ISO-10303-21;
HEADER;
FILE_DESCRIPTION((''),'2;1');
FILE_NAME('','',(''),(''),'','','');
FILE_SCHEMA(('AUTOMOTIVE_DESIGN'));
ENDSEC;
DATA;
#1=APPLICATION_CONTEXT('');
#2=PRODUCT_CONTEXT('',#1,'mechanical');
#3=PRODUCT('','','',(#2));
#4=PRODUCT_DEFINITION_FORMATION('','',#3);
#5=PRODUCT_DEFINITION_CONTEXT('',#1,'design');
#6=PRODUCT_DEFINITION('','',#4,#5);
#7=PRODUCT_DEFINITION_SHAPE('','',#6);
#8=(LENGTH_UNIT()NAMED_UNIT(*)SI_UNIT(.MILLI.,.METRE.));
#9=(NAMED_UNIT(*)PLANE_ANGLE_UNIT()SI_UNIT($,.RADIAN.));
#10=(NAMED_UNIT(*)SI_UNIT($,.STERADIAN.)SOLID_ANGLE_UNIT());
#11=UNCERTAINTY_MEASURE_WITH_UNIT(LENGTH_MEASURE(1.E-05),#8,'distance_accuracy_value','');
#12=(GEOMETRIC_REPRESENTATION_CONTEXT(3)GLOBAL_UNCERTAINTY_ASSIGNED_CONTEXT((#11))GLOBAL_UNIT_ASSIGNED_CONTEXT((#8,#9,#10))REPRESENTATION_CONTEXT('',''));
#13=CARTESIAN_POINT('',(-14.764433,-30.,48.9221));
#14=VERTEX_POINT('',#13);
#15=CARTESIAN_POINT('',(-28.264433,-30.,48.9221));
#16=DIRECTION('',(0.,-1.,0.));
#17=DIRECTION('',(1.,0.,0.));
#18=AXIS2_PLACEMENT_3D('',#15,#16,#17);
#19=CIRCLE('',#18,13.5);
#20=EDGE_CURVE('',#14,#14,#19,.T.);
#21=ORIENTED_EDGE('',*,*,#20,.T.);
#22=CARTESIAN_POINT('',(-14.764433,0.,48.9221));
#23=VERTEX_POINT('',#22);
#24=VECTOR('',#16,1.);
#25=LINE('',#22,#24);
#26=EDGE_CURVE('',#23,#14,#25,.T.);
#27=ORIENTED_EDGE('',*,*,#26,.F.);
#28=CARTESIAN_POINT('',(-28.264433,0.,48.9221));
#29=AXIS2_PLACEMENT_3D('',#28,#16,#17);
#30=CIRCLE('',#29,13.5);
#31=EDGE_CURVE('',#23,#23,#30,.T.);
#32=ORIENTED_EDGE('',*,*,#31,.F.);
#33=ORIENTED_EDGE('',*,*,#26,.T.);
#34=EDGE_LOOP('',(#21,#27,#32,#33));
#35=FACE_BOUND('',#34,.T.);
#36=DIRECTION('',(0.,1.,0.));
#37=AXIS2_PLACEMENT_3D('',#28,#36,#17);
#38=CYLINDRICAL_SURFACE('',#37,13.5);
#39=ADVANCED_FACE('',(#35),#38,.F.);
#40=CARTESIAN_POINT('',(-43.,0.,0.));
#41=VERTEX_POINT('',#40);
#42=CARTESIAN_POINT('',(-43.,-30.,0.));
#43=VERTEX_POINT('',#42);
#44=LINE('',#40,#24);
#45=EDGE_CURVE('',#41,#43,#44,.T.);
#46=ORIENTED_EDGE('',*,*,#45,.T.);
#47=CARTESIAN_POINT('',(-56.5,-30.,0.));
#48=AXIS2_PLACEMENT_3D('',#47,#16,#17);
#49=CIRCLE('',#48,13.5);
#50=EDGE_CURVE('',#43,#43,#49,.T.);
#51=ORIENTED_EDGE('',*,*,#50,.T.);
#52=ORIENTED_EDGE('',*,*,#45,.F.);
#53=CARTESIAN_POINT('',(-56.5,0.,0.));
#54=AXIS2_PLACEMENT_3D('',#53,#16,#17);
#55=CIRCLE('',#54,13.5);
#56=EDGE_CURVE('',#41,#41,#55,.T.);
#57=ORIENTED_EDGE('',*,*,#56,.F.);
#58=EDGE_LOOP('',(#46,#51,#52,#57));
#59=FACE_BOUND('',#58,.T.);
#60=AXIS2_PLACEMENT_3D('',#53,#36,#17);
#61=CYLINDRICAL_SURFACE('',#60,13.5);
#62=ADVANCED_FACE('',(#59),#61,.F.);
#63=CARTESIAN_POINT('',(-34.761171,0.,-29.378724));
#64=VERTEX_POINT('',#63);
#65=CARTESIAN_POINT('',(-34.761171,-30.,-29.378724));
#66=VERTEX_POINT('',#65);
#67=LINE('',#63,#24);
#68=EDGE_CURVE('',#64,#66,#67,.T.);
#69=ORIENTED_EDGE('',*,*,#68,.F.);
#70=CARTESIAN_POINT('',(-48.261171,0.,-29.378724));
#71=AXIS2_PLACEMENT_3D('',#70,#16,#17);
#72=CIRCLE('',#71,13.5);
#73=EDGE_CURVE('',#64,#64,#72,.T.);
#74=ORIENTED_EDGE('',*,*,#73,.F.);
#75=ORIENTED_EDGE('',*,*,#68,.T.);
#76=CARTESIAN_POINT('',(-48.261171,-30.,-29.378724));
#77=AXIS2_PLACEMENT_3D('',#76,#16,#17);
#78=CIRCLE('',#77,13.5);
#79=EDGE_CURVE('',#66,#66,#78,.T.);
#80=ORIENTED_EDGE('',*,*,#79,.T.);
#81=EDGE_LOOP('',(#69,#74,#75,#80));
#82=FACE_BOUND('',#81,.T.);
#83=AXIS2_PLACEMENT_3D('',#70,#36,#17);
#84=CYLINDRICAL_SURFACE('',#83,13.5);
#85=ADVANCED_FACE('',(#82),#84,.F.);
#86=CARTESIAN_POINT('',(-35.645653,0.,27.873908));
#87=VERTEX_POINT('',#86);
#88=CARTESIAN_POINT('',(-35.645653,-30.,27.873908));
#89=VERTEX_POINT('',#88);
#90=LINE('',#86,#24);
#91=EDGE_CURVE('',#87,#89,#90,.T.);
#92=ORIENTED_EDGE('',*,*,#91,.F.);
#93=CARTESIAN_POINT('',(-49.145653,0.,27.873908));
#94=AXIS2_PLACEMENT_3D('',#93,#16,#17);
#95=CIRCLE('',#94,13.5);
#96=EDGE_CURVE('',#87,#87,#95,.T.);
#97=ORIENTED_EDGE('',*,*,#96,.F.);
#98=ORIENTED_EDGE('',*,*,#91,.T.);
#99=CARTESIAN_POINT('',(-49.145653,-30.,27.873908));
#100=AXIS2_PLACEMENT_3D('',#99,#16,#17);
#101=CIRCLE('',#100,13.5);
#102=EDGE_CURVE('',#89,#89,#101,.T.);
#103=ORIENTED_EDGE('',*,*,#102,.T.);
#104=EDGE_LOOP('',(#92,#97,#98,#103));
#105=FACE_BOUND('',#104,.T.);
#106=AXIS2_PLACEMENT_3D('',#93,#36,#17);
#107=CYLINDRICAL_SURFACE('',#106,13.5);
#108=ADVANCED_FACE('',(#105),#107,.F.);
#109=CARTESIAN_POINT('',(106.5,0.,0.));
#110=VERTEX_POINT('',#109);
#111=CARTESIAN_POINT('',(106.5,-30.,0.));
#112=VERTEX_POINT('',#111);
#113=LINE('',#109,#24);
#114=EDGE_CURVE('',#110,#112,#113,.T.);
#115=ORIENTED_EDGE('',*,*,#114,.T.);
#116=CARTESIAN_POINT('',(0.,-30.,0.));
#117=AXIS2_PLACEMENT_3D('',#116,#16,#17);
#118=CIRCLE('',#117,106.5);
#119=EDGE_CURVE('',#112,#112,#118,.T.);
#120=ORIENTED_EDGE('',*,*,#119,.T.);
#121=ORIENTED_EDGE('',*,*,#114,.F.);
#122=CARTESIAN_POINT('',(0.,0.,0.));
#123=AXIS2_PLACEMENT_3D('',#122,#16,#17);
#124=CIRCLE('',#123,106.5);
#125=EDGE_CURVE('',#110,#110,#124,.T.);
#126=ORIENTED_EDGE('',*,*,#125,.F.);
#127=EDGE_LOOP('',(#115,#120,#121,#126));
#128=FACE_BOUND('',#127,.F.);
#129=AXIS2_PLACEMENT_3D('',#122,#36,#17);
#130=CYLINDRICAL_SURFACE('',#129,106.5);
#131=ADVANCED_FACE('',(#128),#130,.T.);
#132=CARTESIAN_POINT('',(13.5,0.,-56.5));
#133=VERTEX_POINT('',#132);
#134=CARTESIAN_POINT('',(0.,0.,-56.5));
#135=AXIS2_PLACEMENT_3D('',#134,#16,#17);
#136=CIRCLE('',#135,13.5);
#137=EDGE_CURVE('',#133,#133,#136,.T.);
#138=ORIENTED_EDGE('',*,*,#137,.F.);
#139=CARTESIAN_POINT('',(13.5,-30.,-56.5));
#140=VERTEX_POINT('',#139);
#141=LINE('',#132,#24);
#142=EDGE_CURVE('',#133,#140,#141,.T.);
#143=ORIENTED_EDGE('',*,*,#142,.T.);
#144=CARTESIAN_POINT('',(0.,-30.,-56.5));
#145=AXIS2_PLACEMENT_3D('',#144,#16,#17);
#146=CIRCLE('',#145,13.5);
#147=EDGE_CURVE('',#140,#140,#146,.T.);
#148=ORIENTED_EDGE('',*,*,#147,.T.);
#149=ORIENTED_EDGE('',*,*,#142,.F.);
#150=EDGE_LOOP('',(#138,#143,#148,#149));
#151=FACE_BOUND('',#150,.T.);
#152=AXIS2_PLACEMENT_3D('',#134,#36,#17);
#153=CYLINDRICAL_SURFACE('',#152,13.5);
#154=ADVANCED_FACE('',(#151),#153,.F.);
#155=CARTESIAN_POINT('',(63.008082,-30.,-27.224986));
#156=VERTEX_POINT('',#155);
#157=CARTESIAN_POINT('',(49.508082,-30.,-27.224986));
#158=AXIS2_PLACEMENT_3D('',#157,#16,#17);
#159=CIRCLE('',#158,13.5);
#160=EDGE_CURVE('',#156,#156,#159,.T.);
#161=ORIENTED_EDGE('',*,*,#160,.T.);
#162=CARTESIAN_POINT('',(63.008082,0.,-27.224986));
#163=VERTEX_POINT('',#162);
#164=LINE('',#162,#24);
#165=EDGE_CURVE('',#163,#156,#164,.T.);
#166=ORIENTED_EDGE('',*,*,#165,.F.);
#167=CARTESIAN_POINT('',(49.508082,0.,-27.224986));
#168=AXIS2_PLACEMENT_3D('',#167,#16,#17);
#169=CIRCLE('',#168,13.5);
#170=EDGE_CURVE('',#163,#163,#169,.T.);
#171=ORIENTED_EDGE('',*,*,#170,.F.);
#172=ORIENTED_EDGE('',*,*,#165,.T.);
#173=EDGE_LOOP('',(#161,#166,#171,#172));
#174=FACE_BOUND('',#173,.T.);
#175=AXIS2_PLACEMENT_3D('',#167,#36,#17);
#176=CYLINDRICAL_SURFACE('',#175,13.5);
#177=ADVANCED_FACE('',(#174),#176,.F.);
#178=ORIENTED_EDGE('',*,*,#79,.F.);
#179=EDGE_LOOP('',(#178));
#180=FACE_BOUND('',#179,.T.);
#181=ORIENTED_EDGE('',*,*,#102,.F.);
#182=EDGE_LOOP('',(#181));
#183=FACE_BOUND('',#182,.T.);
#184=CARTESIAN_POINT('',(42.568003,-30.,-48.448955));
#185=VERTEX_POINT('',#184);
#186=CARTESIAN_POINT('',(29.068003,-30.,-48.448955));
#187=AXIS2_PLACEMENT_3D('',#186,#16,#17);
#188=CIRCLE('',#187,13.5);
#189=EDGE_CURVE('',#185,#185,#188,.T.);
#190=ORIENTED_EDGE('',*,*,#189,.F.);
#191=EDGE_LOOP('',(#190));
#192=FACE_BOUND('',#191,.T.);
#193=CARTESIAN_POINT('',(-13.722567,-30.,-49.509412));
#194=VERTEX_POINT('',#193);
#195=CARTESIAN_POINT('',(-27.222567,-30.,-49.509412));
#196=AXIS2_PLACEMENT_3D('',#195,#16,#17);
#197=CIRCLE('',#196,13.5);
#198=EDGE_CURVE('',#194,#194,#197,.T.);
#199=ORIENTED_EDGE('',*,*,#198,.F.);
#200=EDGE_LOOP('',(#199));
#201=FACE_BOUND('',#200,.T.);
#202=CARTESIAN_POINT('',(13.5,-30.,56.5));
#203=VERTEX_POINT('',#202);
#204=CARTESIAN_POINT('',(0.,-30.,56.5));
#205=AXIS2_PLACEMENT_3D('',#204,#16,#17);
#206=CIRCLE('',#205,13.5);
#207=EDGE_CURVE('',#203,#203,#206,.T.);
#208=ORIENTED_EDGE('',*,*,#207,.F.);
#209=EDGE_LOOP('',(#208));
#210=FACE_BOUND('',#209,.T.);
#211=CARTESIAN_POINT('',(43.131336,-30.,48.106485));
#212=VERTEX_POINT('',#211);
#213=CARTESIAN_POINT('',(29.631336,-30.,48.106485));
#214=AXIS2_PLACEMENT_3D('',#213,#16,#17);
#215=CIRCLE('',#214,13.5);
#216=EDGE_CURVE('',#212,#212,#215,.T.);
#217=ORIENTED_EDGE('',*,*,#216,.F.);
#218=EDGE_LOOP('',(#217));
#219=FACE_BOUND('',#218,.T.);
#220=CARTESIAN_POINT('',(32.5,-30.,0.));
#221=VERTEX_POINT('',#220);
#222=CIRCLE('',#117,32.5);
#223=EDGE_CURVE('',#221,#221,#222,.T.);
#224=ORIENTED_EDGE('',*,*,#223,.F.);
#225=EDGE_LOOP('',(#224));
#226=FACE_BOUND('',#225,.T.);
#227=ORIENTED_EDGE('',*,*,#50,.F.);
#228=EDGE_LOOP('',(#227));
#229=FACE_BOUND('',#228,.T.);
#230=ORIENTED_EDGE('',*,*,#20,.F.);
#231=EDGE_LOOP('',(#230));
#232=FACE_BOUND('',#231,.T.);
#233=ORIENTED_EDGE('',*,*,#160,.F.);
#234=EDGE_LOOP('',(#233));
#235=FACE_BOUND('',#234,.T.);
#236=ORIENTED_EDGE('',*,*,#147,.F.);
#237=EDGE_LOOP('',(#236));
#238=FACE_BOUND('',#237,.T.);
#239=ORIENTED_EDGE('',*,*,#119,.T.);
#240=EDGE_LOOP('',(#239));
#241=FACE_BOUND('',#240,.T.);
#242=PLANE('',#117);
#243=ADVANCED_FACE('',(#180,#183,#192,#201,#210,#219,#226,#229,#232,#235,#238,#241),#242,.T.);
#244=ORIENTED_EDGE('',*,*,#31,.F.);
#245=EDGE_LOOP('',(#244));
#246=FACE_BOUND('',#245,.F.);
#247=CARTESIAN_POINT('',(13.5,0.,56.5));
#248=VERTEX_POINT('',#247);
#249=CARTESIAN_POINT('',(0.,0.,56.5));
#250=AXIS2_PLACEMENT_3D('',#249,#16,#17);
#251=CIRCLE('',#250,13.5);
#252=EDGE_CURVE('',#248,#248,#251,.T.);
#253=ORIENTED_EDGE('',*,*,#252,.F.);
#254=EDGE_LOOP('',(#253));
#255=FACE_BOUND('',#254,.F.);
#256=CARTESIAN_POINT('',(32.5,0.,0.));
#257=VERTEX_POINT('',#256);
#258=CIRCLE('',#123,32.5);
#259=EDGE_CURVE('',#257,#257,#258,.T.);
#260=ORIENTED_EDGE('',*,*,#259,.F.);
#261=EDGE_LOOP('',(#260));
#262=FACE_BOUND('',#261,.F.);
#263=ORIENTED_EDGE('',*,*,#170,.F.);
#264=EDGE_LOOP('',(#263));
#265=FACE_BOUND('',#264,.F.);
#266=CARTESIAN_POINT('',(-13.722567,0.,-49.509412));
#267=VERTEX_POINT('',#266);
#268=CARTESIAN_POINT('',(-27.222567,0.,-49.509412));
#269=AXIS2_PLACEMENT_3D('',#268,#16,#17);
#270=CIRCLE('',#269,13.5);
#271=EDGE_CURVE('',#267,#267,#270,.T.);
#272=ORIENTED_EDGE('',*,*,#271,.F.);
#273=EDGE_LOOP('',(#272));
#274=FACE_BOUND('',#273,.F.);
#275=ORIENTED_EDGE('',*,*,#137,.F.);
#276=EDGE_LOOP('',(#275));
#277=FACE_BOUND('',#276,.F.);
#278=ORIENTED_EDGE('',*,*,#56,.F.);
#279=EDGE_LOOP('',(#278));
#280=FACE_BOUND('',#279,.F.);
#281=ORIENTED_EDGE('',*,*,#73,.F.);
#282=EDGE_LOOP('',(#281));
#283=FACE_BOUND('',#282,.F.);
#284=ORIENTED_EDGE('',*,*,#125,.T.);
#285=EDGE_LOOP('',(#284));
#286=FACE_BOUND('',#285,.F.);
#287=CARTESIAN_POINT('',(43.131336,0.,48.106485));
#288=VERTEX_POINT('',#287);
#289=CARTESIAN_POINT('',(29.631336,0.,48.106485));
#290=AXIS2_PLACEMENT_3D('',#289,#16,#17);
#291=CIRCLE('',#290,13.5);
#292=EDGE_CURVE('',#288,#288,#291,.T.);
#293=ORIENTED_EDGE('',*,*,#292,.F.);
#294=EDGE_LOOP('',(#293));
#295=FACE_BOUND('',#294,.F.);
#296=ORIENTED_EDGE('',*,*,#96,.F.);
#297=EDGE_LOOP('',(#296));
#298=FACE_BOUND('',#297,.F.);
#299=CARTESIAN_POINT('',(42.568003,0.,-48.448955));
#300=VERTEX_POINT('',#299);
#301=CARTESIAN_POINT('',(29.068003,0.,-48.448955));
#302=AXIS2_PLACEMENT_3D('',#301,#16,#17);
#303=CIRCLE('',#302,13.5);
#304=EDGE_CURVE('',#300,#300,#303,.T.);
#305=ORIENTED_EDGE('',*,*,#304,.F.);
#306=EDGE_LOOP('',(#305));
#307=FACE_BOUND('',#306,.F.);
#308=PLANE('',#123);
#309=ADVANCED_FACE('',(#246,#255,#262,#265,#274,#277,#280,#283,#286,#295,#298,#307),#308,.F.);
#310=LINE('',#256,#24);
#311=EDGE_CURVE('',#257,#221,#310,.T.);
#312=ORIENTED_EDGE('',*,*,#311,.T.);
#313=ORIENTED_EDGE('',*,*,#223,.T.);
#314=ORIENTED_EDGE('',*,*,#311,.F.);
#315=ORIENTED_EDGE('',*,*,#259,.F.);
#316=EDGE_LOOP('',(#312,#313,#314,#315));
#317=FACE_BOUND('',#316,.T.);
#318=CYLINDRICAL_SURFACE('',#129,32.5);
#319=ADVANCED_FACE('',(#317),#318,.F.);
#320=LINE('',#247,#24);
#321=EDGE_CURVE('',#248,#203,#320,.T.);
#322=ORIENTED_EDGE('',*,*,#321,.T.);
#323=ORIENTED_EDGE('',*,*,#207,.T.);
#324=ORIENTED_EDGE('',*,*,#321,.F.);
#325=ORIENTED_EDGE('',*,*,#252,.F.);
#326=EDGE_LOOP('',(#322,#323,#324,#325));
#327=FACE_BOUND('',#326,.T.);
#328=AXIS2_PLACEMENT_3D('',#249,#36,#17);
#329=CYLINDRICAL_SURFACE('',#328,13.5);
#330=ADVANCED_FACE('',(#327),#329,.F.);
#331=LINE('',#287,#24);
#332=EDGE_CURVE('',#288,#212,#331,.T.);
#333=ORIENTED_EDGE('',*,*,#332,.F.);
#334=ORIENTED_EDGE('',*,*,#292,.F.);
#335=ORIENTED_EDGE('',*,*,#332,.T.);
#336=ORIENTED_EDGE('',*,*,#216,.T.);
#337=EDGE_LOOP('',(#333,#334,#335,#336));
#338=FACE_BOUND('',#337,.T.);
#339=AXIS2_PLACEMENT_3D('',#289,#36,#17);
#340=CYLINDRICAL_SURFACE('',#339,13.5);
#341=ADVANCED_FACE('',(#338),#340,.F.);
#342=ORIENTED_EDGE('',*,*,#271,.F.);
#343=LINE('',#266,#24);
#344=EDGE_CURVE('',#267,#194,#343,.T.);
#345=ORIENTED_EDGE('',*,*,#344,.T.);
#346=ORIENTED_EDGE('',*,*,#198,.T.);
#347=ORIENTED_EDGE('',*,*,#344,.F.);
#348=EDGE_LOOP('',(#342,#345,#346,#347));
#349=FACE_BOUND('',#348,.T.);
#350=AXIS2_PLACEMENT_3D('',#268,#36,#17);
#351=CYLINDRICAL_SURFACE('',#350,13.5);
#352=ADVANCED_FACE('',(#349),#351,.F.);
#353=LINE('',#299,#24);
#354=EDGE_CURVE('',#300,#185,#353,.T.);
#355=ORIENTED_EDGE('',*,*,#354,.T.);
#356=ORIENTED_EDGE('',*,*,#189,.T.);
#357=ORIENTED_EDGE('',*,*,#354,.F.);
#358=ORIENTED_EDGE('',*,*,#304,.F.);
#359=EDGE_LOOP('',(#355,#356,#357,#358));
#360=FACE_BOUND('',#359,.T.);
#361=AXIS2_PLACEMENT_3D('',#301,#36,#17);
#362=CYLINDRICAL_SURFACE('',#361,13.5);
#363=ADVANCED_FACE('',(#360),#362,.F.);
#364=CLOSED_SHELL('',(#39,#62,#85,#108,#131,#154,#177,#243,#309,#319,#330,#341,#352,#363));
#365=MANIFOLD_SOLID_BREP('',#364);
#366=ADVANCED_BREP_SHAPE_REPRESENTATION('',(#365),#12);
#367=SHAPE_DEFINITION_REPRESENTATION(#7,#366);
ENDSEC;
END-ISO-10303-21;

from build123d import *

# Parameters (mm, degrees)
F0_R     = 106.5
F0_R_2   = 75
F0_R_3   = 13.5
F0_R_4   = 37.5
F0_R_5   = 32.5
F1_DEPTH = 30


with BuildPart() as f1:
    # F0 (on Front) → F1 (new body)
    with BuildSketch(Plane.XZ):
        Circle(F0_R)
        Circle(F0_R_2, mode=Mode.SUBTRACT)
        Circle(F0_R_2)
        with Locations((-27.2225671893, -49.5094115863)):
            Circle(F0_R_3, mode=Mode.SUBTRACT)
        with Locations((-48.2611707722, -29.3787235205)):
            Circle(F0_R_3, mode=Mode.SUBTRACT)
        with Locations((0, -56.5)):
            Circle(F0_R_3, mode=Mode.SUBTRACT)
        with Locations((29.0680028111, -48.4489547108)):
            Circle(F0_R_3, mode=Mode.SUBTRACT)
        with Locations((49.5080817216, -27.2249856611)):
            Circle(F0_R_3, mode=Mode.SUBTRACT)
        with Locations((-56.5, 0)):
            Circle(F0_R_3, mode=Mode.SUBTRACT)
        with Locations((-49.1456532959, 27.8739082678)):
            Circle(F0_R_3, mode=Mode.SUBTRACT)
        with Locations((-28.2644325552, 48.9220998357)):
            Circle(F0_R_3, mode=Mode.SUBTRACT)
        Circle(F0_R_4, mode=Mode.SUBTRACT)
        with Locations((29.631335914, 48.1064853419)):
            Circle(F0_R_3, mode=Mode.SUBTRACT)
        with Locations((0, 56.5)):
            Circle(F0_R_3, mode=Mode.SUBTRACT)
        Circle(F0_R_4)
        Circle(F0_R_5, mode=Mode.SUBTRACT)
    extrude(amount=F1_DEPTH)


solid = f1.part
